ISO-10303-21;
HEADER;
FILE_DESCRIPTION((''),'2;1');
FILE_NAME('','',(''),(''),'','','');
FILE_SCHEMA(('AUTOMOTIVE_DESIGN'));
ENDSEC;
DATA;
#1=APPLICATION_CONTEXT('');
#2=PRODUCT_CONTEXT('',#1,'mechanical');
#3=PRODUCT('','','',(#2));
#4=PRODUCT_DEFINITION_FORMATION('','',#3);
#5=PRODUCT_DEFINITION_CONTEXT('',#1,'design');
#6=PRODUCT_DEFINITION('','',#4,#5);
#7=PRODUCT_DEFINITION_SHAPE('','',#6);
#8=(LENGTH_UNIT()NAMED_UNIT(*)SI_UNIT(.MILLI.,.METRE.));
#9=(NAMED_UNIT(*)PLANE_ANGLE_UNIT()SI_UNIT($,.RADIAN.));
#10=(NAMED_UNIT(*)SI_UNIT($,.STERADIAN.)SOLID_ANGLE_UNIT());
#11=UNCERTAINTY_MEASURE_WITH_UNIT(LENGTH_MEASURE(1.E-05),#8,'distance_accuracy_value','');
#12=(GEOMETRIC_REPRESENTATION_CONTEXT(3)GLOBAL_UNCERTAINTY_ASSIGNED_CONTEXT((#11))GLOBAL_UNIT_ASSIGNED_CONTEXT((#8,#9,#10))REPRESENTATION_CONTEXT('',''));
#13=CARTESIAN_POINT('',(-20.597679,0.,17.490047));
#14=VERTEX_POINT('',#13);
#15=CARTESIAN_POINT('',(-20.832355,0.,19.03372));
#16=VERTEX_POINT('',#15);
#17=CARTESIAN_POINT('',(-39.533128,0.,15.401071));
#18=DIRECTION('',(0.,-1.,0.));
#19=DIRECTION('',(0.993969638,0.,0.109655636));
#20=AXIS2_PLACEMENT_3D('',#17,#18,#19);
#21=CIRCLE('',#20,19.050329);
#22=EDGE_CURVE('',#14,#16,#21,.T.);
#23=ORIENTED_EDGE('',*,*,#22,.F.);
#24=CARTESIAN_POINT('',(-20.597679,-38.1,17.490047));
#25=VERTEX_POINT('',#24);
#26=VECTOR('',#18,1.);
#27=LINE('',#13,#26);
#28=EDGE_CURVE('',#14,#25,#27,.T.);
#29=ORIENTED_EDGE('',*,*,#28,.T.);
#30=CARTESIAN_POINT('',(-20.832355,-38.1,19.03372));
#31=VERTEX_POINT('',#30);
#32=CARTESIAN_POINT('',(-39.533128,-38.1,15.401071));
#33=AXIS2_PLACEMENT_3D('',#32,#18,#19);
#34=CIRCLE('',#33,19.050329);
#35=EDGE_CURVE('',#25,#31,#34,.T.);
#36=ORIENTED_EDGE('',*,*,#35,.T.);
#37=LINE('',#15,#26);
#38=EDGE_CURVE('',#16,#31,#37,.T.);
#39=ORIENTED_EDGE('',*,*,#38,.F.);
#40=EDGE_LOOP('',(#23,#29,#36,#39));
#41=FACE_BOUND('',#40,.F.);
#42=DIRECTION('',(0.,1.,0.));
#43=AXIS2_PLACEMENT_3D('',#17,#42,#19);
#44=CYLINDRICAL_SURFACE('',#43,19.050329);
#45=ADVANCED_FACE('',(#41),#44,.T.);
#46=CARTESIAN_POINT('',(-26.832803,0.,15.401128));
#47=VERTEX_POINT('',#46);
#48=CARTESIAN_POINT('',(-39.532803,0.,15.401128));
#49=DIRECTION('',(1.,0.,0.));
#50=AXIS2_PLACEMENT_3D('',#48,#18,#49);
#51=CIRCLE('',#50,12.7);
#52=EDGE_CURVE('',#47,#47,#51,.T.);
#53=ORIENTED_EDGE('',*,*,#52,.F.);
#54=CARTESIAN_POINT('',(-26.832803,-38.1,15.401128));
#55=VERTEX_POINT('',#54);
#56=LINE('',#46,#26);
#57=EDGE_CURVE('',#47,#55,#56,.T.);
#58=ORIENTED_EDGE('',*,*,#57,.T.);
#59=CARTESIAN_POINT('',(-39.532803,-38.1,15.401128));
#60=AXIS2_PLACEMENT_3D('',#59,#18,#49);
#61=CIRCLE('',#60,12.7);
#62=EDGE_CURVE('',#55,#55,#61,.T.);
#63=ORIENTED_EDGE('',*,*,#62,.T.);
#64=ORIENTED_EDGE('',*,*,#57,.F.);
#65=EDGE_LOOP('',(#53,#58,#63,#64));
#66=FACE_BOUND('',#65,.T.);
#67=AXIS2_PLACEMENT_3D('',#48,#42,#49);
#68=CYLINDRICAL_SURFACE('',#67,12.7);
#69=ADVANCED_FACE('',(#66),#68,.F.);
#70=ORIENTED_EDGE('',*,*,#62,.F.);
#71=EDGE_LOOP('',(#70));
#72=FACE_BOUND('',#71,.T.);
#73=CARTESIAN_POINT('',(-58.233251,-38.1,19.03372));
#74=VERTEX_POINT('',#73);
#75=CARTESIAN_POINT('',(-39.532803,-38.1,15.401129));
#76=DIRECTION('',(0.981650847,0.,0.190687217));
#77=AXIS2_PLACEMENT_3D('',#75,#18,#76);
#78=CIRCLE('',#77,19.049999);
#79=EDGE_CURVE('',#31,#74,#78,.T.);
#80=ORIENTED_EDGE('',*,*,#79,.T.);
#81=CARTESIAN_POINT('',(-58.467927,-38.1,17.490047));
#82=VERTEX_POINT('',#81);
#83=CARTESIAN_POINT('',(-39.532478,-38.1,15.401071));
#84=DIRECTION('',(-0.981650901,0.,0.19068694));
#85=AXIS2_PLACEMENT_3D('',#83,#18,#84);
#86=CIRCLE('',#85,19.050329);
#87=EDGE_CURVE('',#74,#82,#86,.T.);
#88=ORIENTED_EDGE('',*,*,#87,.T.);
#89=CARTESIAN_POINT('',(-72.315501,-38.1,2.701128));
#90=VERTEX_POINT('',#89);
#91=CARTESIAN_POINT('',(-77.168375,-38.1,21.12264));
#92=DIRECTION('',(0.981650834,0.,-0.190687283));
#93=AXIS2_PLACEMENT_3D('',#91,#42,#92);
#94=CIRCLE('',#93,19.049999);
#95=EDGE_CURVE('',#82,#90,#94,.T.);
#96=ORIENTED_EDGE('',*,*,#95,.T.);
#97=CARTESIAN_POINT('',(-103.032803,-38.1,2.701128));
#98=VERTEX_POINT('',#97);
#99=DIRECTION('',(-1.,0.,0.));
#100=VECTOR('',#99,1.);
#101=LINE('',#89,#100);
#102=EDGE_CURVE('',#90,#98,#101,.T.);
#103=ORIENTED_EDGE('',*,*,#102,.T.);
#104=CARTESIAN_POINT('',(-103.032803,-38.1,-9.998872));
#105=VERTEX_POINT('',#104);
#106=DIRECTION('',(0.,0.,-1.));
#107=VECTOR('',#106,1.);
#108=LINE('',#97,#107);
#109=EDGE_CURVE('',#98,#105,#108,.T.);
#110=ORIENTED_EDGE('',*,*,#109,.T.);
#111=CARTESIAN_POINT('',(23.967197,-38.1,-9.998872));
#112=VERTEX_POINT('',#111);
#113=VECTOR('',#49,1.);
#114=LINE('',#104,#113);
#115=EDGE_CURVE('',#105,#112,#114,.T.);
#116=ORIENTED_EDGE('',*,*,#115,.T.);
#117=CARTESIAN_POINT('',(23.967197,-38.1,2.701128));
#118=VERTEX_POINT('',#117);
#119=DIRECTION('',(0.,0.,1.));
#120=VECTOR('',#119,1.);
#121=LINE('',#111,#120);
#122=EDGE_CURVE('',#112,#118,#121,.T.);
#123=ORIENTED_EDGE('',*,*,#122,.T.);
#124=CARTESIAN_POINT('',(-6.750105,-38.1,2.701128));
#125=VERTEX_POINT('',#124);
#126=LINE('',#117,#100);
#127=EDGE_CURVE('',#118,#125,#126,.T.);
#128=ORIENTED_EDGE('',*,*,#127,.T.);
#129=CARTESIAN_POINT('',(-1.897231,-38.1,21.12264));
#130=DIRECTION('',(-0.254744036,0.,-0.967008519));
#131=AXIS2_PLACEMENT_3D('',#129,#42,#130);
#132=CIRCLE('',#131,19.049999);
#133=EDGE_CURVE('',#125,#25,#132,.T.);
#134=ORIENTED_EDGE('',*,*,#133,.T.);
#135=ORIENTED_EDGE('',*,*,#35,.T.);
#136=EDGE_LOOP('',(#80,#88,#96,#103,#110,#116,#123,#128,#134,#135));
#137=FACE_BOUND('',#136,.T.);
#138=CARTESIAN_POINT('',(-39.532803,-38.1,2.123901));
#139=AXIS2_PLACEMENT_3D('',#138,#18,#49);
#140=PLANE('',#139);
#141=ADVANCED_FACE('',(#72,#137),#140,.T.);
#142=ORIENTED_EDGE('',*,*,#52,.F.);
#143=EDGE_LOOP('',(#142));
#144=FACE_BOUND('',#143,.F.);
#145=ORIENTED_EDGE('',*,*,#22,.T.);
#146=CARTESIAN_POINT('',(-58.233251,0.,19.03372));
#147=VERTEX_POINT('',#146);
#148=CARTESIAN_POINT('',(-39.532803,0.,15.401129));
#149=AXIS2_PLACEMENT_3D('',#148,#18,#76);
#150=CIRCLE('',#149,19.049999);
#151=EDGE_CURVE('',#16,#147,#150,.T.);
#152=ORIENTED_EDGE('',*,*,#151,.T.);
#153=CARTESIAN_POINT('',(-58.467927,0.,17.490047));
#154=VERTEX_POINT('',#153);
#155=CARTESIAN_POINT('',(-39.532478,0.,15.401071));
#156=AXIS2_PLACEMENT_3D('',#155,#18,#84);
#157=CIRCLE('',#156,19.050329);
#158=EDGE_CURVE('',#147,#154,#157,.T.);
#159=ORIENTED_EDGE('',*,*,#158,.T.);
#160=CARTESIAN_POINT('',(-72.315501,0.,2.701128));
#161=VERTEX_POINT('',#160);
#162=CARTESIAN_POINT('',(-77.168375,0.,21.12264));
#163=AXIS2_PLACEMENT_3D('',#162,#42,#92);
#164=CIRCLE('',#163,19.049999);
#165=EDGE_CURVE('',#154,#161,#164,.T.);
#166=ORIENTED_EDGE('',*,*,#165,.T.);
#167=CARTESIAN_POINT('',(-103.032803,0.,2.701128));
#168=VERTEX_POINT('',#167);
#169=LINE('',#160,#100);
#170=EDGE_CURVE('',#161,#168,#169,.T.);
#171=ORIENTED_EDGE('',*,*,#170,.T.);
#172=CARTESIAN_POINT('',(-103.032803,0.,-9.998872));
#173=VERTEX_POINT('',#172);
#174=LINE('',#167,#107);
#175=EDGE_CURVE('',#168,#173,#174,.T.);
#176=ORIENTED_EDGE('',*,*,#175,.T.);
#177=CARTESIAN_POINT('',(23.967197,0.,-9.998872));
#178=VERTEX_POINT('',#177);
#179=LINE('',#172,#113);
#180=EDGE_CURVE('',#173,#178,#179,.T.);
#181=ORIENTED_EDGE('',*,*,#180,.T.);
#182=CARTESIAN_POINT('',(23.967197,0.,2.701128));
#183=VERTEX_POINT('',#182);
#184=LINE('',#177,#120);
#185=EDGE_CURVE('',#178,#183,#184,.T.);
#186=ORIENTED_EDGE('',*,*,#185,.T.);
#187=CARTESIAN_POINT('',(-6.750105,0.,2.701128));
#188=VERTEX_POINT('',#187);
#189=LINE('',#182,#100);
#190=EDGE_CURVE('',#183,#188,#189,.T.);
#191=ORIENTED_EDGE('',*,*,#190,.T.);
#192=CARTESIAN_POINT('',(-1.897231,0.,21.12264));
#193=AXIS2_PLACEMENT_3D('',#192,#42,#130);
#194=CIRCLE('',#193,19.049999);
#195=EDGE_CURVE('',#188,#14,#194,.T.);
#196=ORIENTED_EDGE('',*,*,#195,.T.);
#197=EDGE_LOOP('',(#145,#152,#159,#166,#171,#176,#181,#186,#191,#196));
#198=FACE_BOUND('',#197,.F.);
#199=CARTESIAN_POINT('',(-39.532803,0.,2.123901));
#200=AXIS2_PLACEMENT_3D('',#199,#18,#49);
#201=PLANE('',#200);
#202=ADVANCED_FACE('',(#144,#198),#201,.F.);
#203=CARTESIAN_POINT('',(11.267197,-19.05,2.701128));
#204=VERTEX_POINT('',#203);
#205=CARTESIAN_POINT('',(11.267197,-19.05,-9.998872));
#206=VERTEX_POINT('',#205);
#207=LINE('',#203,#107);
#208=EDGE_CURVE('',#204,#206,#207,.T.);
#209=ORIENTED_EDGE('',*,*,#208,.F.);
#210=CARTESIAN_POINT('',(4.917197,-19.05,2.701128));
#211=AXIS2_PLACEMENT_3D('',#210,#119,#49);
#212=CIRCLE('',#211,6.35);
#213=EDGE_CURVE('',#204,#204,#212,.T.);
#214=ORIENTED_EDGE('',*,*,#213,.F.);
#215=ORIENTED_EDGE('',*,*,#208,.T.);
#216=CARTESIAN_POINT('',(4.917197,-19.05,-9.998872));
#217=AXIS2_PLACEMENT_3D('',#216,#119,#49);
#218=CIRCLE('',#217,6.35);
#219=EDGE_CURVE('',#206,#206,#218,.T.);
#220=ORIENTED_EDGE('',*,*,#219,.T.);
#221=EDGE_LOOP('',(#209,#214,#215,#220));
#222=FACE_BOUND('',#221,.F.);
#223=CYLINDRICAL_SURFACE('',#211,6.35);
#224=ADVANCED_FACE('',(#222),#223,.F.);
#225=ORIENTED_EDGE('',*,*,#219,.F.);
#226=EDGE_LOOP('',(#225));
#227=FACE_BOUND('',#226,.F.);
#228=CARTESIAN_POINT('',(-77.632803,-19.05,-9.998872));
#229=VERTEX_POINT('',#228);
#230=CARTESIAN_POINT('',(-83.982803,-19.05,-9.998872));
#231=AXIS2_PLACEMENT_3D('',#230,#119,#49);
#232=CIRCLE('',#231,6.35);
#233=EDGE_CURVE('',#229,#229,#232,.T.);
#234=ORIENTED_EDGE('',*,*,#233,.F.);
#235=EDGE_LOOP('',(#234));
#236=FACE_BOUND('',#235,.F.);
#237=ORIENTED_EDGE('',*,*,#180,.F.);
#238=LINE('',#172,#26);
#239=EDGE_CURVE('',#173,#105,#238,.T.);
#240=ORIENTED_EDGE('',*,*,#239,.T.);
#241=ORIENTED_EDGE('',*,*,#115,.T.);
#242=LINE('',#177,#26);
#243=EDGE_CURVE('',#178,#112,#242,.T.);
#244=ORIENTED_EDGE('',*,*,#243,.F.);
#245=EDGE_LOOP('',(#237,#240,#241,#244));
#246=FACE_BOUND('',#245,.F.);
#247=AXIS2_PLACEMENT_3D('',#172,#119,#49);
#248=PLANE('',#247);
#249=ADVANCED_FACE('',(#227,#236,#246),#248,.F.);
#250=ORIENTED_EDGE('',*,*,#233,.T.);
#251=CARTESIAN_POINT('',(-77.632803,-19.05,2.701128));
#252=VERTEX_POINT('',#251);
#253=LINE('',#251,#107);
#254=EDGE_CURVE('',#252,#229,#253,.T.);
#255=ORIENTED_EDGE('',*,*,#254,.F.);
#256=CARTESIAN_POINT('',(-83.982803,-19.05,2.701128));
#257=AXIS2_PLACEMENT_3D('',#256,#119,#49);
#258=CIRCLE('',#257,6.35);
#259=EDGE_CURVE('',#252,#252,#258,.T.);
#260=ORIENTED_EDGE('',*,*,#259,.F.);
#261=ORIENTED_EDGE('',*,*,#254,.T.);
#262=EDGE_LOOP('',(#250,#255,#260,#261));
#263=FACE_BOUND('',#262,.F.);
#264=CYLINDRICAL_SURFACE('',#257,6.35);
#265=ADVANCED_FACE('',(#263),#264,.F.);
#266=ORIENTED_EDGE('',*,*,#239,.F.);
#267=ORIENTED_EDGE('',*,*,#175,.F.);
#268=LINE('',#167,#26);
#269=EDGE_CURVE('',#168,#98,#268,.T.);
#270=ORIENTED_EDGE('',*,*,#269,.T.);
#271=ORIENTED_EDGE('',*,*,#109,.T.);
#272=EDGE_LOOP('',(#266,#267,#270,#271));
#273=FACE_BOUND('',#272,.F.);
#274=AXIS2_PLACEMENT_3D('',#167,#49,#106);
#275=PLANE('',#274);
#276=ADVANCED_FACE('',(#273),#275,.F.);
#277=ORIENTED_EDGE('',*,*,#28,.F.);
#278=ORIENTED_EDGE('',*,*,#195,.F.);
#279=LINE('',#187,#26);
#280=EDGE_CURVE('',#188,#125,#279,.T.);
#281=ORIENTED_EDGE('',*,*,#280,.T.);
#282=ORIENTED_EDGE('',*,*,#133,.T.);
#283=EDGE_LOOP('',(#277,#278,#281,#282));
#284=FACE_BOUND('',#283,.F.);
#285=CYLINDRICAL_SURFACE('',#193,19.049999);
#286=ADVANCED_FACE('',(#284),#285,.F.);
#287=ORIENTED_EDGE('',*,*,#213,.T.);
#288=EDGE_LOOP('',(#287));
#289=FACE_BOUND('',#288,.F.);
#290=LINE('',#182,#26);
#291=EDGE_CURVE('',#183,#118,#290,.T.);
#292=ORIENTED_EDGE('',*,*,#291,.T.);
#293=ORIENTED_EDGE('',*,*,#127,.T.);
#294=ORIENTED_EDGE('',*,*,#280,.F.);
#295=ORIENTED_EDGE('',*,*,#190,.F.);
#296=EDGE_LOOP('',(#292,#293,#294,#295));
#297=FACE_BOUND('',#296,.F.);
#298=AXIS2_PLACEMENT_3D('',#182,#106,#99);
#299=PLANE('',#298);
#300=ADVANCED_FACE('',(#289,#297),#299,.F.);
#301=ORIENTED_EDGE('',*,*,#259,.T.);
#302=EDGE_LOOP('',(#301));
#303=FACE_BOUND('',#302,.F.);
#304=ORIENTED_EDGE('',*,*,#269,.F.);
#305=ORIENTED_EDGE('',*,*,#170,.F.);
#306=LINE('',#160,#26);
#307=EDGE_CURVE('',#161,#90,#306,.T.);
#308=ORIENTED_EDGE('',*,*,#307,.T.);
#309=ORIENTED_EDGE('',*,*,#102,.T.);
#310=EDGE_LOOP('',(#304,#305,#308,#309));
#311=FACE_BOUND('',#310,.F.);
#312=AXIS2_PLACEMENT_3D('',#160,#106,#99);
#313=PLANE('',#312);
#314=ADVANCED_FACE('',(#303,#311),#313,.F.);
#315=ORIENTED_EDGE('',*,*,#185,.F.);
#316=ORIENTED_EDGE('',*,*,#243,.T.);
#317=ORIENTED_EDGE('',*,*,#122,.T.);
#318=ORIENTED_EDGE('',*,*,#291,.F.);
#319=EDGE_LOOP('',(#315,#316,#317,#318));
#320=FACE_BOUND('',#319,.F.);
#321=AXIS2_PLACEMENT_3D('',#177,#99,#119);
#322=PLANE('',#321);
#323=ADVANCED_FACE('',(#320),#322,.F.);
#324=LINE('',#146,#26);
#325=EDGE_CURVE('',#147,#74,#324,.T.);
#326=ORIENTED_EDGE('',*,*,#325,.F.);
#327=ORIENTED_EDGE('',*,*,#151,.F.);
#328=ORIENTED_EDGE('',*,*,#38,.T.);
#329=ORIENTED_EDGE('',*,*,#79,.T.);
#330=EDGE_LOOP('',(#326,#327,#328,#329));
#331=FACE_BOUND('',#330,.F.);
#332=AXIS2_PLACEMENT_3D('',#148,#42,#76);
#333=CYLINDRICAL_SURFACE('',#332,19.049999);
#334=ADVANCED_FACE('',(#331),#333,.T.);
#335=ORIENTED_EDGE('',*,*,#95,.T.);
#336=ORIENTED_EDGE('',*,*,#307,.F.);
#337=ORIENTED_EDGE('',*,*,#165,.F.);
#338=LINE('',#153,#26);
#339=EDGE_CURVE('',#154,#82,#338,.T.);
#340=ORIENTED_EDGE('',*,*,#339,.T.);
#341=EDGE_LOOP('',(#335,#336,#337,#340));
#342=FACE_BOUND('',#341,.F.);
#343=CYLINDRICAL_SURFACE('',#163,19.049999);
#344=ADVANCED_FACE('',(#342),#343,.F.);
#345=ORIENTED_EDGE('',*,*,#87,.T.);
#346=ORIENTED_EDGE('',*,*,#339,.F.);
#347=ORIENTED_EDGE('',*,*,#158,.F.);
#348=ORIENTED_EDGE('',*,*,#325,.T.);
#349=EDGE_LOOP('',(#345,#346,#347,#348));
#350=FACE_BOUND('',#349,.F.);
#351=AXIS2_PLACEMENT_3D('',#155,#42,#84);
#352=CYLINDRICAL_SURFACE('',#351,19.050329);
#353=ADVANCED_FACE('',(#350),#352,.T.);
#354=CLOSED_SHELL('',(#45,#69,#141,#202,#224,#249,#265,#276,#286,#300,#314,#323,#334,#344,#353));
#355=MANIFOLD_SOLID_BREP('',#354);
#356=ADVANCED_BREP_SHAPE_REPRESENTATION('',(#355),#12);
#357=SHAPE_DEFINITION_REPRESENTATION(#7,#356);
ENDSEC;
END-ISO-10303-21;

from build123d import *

# Parameters (mm, degrees)
F0_R     = 12.7
F1_DEPTH = 38.1
F2_R     = 6.35
F3_DEPTH = 25.4


with BuildPart() as f1:
    # F0 (on Front) → F1 (new body)
    with BuildSketch(Plane.XZ):
        with BuildLine():
            Line((-103.032803, -9.998872), (23.967197, -9.998872))
            Line((23.967197, -9.998872), (23.967197, 2.701128))
            Line((23.967197, 2.701128), (-6.750105, 2.701128))
            ThreePointArc((-6.750105, 2.701128), (-15.802905, 8.10209), (-20.597679, 17.490047))
            ThreePointArc((-20.597679, 17.490047), (-20.730839, 18.259479), (-20.832355, 19.03372))
            ThreePointArc((-20.832355, 19.03372), (-39.532803, 34.451128), (-58.233251, 19.03372))
            ThreePointArc((-58.233251, 19.03372), (-58.334767, 18.259479), (-58.467927, 17.490047))
            ThreePointArc((-58.467927, 17.490047), (-63.262701, 8.10209), (-72.315501, 2.701128))
            Line((-72.315501, 2.701128), (-103.032803, 2.701128))
            Line((-103.032803, 2.701128), (-103.032803, -9.998872))
        make_face()
        with Locations((-39.532803, 15.401128)):
            Circle(F0_R, mode=Mode.SUBTRACT)
        with BuildLine():
            ThreePointArc((-20.832355, 19.03372), (-20.730839, 18.259479), (-20.597679, 17.490047))
            ThreePointArc((-20.597679, 17.490047), (-20.699195, 18.264289), (-20.832355, 19.03372))
        make_face()
        with BuildLine():
            ThreePointArc((-58.233251, 19.03372), (-58.366411, 18.264289), (-58.467927, 17.490047))
            ThreePointArc((-58.467927, 17.490047), (-58.334767, 18.259479), (-58.233251, 19.03372))
        make_face()
    extrude(amount=F1_DEPTH)

    # F2 (on face) → F3 (cut)
    with BuildSketch(Plane.XY.offset(2.701128)):
        with Locations((-83.982803, -19.05)):
            Circle(F2_R)
        with Locations((4.917197, -19.05)):
            Circle(F2_R)
    extrude(amount=-F3_DEPTH, mode=Mode.SUBTRACT)


solid = f1.part
